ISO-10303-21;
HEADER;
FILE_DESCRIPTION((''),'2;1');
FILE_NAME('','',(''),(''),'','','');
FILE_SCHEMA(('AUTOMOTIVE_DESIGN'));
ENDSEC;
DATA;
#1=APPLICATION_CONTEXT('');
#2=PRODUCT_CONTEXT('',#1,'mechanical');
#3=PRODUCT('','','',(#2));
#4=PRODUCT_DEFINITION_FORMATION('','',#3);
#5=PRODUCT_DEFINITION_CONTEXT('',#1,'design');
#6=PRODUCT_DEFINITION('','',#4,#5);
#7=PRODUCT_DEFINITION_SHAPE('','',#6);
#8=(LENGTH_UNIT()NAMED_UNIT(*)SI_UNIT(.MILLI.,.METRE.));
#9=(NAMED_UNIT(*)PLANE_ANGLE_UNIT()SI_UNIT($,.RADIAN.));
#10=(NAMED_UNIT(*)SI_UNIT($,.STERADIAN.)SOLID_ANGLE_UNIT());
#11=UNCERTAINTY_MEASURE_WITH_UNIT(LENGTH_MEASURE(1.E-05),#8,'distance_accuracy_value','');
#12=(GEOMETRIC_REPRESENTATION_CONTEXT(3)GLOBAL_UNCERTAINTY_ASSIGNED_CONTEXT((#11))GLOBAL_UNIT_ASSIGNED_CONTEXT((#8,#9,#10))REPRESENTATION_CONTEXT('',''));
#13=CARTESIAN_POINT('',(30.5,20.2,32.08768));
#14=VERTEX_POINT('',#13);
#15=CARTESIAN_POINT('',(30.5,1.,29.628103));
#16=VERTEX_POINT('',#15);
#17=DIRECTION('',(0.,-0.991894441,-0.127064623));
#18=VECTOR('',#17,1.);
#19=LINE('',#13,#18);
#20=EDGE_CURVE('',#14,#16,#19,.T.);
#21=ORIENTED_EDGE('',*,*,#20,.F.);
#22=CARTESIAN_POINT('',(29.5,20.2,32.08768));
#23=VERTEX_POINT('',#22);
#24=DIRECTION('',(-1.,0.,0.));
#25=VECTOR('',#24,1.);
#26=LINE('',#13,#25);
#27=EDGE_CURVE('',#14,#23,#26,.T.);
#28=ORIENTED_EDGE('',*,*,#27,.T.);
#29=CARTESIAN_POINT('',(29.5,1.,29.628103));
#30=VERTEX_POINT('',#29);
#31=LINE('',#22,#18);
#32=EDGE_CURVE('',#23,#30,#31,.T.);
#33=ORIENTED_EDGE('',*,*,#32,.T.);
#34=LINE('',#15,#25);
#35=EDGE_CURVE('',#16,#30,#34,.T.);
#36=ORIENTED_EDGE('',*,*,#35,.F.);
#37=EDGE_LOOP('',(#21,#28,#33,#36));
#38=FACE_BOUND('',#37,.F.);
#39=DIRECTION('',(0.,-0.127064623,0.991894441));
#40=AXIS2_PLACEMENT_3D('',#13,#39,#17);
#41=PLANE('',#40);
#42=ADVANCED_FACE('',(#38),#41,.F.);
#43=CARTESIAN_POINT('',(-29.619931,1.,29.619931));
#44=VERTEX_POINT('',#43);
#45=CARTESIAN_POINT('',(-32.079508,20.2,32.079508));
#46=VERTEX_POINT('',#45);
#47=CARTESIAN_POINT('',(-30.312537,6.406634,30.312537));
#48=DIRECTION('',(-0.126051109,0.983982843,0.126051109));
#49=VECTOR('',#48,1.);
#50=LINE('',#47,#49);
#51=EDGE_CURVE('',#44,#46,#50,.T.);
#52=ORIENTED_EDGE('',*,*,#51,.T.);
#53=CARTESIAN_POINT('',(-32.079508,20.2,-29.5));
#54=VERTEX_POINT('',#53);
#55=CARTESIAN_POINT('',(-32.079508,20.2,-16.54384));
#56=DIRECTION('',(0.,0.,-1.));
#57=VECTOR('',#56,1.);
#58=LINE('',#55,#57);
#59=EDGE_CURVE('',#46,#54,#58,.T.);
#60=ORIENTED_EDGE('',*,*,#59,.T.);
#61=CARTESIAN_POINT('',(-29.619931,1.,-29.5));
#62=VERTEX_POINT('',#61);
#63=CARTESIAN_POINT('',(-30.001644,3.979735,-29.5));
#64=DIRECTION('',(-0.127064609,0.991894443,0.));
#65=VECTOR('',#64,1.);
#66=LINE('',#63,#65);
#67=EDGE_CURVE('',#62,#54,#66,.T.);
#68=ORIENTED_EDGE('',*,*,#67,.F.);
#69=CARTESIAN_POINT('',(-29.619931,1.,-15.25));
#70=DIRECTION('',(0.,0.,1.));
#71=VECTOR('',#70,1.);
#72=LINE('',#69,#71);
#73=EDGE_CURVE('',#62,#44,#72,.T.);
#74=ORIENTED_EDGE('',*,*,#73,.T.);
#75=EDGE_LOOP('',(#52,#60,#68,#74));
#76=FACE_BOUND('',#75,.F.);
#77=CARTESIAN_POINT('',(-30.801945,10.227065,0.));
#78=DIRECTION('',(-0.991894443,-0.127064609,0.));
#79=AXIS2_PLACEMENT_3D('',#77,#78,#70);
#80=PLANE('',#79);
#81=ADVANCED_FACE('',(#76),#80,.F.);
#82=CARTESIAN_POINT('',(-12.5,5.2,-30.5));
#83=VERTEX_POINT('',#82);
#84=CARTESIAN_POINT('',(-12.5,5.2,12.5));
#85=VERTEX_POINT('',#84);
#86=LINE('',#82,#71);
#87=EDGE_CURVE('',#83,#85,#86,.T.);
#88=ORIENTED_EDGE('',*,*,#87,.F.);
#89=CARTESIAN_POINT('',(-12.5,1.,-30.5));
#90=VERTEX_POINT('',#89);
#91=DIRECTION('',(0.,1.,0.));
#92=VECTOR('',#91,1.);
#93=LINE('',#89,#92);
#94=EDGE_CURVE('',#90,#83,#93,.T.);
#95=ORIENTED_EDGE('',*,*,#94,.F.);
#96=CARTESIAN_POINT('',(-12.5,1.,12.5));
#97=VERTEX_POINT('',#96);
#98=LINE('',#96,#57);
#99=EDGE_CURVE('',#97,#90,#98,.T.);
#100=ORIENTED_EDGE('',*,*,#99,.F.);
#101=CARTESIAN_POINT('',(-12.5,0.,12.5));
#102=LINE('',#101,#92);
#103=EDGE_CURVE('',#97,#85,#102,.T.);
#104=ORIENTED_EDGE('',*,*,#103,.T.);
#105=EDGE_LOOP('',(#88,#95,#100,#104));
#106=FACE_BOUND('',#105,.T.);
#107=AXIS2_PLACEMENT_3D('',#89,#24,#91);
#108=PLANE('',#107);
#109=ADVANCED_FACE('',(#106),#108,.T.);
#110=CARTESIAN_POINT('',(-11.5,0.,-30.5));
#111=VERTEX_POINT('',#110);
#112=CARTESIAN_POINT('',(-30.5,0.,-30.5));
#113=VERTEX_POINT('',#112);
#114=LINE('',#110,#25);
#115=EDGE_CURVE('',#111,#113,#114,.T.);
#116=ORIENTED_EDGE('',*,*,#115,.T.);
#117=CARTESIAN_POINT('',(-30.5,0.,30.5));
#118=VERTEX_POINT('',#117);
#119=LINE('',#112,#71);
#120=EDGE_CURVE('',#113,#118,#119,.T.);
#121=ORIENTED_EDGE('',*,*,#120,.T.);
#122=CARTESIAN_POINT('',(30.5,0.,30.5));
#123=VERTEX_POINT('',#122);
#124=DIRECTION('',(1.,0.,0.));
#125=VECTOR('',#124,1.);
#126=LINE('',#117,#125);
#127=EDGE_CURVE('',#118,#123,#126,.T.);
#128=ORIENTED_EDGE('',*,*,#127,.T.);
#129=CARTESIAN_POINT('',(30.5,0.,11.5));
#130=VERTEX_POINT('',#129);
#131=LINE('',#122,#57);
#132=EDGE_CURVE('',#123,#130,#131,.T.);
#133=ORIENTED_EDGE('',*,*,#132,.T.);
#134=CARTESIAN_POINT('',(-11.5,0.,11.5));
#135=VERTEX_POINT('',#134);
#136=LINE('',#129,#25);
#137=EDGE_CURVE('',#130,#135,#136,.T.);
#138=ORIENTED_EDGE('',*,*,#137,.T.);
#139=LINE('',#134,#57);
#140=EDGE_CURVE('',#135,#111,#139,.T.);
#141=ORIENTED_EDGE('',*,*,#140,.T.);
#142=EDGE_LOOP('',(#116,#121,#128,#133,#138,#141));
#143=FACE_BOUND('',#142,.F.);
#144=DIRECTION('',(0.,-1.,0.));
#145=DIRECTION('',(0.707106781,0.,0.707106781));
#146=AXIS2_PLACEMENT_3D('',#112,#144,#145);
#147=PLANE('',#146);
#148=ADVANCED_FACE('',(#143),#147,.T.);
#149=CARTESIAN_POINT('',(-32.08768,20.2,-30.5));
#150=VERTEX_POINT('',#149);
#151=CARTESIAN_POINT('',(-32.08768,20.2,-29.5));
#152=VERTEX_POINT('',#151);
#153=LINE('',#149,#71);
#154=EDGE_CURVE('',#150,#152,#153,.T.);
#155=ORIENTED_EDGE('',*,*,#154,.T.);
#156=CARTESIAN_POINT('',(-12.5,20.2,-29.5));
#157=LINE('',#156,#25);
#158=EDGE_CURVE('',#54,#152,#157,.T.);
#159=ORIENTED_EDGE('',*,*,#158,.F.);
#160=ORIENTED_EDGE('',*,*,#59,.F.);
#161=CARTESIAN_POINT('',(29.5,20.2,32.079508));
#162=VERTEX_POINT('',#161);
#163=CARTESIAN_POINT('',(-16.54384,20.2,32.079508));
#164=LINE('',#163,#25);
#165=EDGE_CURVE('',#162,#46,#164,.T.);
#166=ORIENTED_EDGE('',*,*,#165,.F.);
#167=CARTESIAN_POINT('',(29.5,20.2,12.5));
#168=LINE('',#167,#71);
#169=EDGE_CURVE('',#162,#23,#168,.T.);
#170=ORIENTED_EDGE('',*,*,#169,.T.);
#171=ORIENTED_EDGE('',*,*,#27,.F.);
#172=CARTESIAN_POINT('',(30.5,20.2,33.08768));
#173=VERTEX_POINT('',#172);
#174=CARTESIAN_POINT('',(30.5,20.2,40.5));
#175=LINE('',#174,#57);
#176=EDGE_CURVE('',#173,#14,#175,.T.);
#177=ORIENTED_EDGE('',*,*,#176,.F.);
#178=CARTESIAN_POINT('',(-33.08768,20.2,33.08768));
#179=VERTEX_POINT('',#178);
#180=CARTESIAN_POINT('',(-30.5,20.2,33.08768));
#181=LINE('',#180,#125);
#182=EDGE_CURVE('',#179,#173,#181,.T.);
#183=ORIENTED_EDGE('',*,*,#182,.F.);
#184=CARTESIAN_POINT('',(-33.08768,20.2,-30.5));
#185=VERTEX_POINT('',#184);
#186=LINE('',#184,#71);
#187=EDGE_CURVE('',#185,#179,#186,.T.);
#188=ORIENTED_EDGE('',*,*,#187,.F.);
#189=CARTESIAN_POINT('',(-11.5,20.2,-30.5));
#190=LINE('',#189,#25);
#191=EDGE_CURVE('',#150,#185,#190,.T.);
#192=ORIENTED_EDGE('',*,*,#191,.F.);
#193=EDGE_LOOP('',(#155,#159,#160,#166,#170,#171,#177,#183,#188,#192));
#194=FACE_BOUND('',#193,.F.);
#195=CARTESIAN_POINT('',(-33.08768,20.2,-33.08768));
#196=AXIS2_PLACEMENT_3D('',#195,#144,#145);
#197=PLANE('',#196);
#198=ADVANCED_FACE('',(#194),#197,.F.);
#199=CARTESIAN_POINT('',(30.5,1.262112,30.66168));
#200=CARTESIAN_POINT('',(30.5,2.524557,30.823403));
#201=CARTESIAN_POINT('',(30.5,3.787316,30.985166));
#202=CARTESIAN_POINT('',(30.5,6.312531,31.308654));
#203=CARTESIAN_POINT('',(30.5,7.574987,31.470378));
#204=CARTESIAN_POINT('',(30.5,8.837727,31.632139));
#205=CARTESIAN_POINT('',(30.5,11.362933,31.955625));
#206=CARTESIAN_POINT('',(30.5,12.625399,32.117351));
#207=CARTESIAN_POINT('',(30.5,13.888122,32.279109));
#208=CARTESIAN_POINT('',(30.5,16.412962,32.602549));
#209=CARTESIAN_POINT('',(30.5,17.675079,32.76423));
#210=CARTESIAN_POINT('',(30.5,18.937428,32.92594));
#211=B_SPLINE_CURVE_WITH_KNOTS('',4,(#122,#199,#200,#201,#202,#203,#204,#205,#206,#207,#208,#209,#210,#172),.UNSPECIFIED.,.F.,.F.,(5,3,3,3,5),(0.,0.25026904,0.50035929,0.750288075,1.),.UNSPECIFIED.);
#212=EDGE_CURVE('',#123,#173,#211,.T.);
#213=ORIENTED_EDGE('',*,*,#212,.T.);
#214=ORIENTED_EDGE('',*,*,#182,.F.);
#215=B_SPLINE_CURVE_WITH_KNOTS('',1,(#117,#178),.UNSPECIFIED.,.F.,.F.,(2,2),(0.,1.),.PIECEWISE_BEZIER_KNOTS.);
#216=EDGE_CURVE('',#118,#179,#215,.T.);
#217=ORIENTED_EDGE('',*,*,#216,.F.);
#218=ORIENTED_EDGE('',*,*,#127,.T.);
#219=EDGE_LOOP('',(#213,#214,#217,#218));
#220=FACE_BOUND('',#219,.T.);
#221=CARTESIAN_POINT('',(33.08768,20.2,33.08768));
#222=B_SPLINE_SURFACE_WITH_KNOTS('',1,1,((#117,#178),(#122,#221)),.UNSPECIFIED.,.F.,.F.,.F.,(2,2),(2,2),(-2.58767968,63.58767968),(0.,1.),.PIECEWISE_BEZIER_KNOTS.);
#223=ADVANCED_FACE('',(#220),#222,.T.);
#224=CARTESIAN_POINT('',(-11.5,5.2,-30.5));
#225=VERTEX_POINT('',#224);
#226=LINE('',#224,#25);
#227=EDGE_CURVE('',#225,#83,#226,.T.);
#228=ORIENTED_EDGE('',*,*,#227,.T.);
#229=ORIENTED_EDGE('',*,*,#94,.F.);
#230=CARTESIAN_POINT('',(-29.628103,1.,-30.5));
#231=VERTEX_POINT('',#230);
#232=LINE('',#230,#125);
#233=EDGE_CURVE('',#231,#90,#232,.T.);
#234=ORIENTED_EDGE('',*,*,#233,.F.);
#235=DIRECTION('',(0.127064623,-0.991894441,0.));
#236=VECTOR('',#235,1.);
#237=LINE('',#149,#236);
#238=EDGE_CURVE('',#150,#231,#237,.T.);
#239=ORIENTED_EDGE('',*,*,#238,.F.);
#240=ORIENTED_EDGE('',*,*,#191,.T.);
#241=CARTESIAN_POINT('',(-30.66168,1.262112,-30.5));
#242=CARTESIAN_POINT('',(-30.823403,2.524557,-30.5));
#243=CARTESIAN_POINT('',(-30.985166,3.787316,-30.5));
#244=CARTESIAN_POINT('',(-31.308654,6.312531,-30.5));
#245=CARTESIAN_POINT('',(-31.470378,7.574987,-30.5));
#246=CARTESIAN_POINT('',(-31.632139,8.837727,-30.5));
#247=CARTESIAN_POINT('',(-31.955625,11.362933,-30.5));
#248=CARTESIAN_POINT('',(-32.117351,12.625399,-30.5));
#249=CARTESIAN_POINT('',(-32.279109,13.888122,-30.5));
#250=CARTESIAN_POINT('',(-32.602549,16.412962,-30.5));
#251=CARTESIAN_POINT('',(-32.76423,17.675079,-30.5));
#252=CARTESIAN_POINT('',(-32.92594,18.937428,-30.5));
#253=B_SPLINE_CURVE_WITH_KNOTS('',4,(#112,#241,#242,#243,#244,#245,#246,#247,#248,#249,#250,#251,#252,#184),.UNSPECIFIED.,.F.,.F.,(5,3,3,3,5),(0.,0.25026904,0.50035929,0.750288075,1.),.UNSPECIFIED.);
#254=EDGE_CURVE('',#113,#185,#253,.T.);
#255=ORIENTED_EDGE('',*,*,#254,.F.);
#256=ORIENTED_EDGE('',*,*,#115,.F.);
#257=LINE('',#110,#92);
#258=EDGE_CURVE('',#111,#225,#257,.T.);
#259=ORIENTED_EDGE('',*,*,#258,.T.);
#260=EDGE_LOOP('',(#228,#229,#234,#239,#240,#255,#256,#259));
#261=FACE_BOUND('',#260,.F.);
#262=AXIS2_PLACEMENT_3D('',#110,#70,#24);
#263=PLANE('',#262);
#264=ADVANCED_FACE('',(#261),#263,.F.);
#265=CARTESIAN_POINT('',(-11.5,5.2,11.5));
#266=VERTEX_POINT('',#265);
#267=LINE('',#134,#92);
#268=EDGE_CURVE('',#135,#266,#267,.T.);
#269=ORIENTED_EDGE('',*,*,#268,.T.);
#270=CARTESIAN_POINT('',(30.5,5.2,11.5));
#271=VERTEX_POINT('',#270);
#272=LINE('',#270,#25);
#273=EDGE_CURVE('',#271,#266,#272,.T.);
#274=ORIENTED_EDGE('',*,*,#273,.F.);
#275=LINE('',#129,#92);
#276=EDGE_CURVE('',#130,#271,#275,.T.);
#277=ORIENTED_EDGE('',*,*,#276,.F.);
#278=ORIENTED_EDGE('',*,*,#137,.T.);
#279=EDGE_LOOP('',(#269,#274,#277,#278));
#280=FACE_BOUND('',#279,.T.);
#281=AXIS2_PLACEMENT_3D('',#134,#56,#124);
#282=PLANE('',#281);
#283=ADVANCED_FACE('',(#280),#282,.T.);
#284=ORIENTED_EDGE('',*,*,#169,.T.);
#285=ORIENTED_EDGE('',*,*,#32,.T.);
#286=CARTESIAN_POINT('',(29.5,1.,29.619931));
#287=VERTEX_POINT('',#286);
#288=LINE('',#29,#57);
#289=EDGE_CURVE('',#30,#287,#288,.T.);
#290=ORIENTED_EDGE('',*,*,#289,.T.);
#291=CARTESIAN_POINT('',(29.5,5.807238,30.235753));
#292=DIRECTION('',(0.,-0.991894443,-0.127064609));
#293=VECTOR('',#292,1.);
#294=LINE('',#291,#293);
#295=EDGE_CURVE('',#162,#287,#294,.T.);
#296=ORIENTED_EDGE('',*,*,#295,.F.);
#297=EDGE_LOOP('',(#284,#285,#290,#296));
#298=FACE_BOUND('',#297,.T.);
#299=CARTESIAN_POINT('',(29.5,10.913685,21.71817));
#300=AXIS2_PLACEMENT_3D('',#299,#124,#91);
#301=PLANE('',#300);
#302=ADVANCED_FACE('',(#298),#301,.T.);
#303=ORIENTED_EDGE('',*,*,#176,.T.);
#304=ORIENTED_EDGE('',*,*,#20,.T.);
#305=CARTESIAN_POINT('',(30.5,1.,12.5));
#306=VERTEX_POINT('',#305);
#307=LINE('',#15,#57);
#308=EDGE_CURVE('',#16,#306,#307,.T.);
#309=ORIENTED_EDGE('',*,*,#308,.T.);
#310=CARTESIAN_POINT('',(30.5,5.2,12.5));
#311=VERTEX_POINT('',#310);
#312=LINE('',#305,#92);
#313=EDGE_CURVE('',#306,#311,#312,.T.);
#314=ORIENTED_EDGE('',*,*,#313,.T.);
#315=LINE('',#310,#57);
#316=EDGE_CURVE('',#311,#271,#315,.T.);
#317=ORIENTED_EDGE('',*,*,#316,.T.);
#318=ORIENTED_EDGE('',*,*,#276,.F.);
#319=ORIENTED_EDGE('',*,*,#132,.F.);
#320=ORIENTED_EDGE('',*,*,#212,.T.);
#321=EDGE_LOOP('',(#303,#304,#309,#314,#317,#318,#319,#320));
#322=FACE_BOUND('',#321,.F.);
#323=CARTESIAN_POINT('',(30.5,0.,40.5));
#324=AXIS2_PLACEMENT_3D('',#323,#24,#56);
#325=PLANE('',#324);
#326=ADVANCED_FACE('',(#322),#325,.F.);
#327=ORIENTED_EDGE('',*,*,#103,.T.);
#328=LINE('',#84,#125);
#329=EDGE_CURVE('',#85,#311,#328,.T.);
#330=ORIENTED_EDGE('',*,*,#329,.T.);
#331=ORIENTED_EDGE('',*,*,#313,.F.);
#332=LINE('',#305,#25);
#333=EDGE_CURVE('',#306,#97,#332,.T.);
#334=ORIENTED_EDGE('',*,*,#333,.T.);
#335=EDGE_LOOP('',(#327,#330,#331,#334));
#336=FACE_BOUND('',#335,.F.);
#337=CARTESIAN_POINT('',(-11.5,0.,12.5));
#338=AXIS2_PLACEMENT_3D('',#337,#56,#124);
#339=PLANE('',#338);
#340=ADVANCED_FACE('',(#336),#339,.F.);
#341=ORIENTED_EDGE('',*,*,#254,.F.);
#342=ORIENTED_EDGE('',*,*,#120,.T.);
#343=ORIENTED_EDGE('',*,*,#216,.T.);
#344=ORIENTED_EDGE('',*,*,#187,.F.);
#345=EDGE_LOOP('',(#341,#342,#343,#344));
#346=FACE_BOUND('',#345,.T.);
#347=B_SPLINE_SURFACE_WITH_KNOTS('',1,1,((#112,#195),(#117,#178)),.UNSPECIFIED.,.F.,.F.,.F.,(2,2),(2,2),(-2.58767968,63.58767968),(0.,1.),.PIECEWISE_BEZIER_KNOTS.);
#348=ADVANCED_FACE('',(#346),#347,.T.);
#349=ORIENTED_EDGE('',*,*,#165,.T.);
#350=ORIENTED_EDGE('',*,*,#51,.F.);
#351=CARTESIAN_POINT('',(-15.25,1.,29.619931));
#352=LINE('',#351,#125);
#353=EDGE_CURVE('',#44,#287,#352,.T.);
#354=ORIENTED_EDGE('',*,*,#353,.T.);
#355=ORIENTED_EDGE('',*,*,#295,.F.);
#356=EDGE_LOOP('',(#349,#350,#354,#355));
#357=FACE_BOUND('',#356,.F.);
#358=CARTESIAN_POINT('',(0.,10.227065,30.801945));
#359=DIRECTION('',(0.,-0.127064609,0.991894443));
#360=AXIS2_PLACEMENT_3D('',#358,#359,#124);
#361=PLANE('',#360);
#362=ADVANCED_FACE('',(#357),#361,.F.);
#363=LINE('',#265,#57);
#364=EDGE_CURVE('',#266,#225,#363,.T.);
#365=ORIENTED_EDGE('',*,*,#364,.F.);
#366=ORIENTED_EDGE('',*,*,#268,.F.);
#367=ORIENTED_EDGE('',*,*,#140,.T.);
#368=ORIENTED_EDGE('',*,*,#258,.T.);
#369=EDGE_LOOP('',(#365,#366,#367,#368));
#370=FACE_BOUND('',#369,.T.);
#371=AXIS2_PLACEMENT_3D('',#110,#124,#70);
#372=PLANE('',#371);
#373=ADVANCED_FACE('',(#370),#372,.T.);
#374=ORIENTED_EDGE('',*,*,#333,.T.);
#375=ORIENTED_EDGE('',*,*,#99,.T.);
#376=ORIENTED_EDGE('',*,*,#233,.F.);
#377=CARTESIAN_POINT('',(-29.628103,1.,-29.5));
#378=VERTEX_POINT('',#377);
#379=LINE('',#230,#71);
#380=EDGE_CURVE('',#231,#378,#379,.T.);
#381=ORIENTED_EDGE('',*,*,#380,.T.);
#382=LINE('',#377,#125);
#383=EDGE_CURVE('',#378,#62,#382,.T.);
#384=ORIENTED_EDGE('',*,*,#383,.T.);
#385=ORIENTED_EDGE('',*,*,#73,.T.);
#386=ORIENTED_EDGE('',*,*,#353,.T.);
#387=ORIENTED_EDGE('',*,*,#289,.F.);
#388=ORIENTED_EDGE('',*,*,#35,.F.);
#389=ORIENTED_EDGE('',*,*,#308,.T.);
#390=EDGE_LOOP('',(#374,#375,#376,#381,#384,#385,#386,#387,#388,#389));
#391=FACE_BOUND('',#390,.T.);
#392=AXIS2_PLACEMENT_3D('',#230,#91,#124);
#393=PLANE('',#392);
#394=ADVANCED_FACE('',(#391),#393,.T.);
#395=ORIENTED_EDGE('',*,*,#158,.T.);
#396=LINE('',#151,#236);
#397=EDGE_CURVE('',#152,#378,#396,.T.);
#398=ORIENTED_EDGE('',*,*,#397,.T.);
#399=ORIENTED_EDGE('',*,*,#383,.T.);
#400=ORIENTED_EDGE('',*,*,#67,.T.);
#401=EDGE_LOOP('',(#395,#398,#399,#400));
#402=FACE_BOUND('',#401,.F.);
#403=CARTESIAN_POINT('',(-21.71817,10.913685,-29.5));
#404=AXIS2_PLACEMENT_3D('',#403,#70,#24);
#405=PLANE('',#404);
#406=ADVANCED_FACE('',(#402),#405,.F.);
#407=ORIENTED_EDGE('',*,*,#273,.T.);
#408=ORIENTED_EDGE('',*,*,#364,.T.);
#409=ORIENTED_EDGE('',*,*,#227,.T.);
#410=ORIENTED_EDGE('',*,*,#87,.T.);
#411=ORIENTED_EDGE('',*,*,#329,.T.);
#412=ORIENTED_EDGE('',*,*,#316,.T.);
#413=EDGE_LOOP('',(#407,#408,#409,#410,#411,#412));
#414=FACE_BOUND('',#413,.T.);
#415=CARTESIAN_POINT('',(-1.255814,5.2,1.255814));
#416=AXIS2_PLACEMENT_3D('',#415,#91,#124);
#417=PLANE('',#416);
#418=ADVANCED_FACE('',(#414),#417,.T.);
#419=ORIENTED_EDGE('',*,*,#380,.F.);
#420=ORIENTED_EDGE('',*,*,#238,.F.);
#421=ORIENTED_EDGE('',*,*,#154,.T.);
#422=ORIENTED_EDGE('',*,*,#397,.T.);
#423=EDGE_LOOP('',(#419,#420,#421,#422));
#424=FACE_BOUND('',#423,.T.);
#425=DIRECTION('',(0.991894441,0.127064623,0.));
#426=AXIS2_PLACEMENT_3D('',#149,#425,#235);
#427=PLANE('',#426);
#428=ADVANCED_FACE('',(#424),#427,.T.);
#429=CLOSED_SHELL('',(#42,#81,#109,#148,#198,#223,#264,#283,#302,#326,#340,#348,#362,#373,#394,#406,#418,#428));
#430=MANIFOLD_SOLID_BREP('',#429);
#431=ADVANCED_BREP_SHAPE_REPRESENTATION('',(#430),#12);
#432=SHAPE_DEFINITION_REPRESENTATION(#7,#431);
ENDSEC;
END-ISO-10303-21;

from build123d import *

# Parameters (mm, degrees)
PAD_DEPTH       = 20.2
PAD_TAPER       = -7.3
POCKET_DEPTH    = 20.2
THICKNESS_T     = -1
POCKET001_DEPTH = 1
POCKET002_DEPTH = 1
POCKET003_DEPTH = 15


with BuildPart() as part:
    # Sketch → Pad (new body)
    with BuildSketch(Plane.XZ):
        Polygon((-30.5, -30.5), (-30.5, 30.5), (30.5, 30.5), (30.5, 11.5), (-11.5, 11.5), (-11.5, -30.5), align=None)
    extrude(amount=-PAD_DEPTH, taper=PAD_TAPER)

    # Sketch001 (on Face7 of Pad) → Pocket (cut)
    with BuildSketch(Plane.XZ):
        Polygon((-30.5, -30.5), (-11.5, -30.5), (-11.5, 11.5), (30.5, 11.5), (30.5, 30.5), (30.5, 40.5), (40.5, 40.5), (40.5, -40.5), (-40.5, -40.5), (-40.5, -30.5), align=None)
    extrude(amount=-POCKET_DEPTH, mode=Mode.SUBTRACT)

    # Thickness
    thickness_openings = [part.faces().sort_by_distance(p)[0] for p in [
        (-32.188414, 20.2, 1.29384),
    ]]
    offset(amount=THICKNESS_T, openings=thickness_openings, kind=Kind.INTERSECTION)

    # Sketch002 (on Face2 of Thickness) → Pocket001 (cut)
    with BuildSketch(Plane(origin=(0, 0, -30.5), x_dir=(1, 0, 0), z_dir=(0, 0, -1))):
        Polygon((-32.08768, -20.2), (-29.628103, -1), (-12.5, -1), (-12.5, -20.2), align=None)
    extrude(amount=-POCKET001_DEPTH, mode=Mode.SUBTRACT)

    # Sketch003 (on Face6 of Thickness) → Pocket002 (cut)
    with BuildSketch(Plane.YZ.offset(30.5)):
        Polygon((20.2, 32.08768), (1, 29.628103), (1, 12.5), (20.2, 12.5), align=None)
    extrude(amount=-POCKET002_DEPTH, mode=Mode.SUBTRACT)

    # Pocket002 Face9 → Pocket003 (cut)
    with BuildSketch(Plane(origin=(-1.376471, 20.2, 1.376471), x_dir=(1, 0, 0), z_dir=(0, 1, 0))):
        Polygon((31.876471, -11.123529), (31.876471, -10.123529), (-10.123529, -10.123529), (-10.123529, 31.876471), (-11.123529, 31.876471), (-11.123529, 30.876471), (-11.123529, -11.123529), (30.876471, -11.123529), align=None)
    extrude(amount=-POCKET003_DEPTH, mode=Mode.SUBTRACT)


solid = part.part
